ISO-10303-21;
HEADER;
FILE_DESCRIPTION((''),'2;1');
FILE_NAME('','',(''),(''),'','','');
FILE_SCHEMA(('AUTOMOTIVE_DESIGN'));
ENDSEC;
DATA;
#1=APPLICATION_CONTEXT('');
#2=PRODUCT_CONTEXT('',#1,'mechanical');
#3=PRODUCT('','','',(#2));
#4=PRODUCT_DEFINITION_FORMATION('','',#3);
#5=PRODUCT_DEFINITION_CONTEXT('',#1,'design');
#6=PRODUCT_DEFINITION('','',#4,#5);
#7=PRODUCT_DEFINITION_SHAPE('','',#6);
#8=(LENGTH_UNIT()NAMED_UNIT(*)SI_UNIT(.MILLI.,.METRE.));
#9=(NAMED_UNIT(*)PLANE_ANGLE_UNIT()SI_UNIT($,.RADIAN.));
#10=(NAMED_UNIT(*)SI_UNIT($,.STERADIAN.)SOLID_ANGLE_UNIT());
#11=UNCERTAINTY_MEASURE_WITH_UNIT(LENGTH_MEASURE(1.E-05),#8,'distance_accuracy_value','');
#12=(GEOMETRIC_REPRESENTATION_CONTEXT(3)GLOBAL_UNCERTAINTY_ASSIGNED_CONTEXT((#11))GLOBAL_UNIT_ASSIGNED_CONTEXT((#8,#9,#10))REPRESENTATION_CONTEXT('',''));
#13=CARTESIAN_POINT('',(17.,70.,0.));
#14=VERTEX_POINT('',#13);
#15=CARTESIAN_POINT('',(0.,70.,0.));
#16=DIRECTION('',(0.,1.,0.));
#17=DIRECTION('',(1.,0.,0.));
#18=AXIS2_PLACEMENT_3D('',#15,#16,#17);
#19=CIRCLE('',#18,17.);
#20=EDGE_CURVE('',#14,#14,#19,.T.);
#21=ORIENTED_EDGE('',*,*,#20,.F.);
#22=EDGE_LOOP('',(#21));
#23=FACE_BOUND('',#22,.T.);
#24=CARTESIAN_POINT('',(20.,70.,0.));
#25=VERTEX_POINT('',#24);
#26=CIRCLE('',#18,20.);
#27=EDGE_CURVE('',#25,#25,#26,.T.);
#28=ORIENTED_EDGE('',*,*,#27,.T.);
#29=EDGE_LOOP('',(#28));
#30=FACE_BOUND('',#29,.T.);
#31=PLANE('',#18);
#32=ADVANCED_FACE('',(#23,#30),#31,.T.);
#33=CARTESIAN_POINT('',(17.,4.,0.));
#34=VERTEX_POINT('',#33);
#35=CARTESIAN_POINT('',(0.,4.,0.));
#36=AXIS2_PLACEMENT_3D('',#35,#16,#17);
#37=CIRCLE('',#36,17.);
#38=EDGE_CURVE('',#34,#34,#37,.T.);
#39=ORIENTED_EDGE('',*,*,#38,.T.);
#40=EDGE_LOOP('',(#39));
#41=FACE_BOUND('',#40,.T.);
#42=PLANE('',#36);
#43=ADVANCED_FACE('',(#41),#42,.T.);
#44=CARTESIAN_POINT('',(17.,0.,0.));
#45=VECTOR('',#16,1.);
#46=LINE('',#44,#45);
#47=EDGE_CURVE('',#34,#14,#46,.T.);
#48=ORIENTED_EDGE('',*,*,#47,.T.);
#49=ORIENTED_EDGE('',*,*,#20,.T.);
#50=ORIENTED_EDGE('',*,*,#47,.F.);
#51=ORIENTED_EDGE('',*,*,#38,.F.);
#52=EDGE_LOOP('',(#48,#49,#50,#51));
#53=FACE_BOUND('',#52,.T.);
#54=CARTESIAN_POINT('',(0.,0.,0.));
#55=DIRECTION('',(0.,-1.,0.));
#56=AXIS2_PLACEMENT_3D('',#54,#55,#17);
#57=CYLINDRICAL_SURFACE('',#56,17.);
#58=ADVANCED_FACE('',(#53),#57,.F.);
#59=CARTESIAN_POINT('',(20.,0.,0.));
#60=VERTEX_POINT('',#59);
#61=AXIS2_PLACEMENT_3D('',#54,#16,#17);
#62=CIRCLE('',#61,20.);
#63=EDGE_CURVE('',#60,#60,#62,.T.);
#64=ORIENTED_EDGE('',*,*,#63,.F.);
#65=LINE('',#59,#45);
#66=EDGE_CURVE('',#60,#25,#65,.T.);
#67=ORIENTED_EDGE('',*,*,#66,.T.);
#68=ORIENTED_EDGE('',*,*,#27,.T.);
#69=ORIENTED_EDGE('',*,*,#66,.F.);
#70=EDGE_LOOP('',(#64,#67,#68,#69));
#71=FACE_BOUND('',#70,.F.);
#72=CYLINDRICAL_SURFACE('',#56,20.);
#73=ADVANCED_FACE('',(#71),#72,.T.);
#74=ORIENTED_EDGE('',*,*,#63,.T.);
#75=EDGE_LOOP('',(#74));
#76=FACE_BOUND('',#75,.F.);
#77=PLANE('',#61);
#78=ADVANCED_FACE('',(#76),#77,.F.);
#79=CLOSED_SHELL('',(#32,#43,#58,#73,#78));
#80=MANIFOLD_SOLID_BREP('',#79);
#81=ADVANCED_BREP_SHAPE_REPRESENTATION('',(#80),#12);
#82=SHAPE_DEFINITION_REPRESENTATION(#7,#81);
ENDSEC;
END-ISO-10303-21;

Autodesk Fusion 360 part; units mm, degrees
sketch "Sketch1" plane through (0, 0, 0) normal (0, 1, 0) x (1, 0, 0)
  circle A0 centre (0, 0) radius 20
  circle A1 centre (0, 0) radius 17
  dimension "d1" = 40
  dimension "d7" = 3
extrude "Extrude1" add sketch "Sketch1" along normal blind 70 makes body 1
extrude "Extrude2" add sketch "Sketch1" along normal blind 4 contours A1 bodies 1
copy_body "Body->Comp1" bodies 1 removing the originals makes body 2 in component "tubeToolHolder02"
component "tubeToolHolder02" placed x (1, 0, 0) y (0, 1, 0) z (0, 0, 1) at (0, 0, 0)
